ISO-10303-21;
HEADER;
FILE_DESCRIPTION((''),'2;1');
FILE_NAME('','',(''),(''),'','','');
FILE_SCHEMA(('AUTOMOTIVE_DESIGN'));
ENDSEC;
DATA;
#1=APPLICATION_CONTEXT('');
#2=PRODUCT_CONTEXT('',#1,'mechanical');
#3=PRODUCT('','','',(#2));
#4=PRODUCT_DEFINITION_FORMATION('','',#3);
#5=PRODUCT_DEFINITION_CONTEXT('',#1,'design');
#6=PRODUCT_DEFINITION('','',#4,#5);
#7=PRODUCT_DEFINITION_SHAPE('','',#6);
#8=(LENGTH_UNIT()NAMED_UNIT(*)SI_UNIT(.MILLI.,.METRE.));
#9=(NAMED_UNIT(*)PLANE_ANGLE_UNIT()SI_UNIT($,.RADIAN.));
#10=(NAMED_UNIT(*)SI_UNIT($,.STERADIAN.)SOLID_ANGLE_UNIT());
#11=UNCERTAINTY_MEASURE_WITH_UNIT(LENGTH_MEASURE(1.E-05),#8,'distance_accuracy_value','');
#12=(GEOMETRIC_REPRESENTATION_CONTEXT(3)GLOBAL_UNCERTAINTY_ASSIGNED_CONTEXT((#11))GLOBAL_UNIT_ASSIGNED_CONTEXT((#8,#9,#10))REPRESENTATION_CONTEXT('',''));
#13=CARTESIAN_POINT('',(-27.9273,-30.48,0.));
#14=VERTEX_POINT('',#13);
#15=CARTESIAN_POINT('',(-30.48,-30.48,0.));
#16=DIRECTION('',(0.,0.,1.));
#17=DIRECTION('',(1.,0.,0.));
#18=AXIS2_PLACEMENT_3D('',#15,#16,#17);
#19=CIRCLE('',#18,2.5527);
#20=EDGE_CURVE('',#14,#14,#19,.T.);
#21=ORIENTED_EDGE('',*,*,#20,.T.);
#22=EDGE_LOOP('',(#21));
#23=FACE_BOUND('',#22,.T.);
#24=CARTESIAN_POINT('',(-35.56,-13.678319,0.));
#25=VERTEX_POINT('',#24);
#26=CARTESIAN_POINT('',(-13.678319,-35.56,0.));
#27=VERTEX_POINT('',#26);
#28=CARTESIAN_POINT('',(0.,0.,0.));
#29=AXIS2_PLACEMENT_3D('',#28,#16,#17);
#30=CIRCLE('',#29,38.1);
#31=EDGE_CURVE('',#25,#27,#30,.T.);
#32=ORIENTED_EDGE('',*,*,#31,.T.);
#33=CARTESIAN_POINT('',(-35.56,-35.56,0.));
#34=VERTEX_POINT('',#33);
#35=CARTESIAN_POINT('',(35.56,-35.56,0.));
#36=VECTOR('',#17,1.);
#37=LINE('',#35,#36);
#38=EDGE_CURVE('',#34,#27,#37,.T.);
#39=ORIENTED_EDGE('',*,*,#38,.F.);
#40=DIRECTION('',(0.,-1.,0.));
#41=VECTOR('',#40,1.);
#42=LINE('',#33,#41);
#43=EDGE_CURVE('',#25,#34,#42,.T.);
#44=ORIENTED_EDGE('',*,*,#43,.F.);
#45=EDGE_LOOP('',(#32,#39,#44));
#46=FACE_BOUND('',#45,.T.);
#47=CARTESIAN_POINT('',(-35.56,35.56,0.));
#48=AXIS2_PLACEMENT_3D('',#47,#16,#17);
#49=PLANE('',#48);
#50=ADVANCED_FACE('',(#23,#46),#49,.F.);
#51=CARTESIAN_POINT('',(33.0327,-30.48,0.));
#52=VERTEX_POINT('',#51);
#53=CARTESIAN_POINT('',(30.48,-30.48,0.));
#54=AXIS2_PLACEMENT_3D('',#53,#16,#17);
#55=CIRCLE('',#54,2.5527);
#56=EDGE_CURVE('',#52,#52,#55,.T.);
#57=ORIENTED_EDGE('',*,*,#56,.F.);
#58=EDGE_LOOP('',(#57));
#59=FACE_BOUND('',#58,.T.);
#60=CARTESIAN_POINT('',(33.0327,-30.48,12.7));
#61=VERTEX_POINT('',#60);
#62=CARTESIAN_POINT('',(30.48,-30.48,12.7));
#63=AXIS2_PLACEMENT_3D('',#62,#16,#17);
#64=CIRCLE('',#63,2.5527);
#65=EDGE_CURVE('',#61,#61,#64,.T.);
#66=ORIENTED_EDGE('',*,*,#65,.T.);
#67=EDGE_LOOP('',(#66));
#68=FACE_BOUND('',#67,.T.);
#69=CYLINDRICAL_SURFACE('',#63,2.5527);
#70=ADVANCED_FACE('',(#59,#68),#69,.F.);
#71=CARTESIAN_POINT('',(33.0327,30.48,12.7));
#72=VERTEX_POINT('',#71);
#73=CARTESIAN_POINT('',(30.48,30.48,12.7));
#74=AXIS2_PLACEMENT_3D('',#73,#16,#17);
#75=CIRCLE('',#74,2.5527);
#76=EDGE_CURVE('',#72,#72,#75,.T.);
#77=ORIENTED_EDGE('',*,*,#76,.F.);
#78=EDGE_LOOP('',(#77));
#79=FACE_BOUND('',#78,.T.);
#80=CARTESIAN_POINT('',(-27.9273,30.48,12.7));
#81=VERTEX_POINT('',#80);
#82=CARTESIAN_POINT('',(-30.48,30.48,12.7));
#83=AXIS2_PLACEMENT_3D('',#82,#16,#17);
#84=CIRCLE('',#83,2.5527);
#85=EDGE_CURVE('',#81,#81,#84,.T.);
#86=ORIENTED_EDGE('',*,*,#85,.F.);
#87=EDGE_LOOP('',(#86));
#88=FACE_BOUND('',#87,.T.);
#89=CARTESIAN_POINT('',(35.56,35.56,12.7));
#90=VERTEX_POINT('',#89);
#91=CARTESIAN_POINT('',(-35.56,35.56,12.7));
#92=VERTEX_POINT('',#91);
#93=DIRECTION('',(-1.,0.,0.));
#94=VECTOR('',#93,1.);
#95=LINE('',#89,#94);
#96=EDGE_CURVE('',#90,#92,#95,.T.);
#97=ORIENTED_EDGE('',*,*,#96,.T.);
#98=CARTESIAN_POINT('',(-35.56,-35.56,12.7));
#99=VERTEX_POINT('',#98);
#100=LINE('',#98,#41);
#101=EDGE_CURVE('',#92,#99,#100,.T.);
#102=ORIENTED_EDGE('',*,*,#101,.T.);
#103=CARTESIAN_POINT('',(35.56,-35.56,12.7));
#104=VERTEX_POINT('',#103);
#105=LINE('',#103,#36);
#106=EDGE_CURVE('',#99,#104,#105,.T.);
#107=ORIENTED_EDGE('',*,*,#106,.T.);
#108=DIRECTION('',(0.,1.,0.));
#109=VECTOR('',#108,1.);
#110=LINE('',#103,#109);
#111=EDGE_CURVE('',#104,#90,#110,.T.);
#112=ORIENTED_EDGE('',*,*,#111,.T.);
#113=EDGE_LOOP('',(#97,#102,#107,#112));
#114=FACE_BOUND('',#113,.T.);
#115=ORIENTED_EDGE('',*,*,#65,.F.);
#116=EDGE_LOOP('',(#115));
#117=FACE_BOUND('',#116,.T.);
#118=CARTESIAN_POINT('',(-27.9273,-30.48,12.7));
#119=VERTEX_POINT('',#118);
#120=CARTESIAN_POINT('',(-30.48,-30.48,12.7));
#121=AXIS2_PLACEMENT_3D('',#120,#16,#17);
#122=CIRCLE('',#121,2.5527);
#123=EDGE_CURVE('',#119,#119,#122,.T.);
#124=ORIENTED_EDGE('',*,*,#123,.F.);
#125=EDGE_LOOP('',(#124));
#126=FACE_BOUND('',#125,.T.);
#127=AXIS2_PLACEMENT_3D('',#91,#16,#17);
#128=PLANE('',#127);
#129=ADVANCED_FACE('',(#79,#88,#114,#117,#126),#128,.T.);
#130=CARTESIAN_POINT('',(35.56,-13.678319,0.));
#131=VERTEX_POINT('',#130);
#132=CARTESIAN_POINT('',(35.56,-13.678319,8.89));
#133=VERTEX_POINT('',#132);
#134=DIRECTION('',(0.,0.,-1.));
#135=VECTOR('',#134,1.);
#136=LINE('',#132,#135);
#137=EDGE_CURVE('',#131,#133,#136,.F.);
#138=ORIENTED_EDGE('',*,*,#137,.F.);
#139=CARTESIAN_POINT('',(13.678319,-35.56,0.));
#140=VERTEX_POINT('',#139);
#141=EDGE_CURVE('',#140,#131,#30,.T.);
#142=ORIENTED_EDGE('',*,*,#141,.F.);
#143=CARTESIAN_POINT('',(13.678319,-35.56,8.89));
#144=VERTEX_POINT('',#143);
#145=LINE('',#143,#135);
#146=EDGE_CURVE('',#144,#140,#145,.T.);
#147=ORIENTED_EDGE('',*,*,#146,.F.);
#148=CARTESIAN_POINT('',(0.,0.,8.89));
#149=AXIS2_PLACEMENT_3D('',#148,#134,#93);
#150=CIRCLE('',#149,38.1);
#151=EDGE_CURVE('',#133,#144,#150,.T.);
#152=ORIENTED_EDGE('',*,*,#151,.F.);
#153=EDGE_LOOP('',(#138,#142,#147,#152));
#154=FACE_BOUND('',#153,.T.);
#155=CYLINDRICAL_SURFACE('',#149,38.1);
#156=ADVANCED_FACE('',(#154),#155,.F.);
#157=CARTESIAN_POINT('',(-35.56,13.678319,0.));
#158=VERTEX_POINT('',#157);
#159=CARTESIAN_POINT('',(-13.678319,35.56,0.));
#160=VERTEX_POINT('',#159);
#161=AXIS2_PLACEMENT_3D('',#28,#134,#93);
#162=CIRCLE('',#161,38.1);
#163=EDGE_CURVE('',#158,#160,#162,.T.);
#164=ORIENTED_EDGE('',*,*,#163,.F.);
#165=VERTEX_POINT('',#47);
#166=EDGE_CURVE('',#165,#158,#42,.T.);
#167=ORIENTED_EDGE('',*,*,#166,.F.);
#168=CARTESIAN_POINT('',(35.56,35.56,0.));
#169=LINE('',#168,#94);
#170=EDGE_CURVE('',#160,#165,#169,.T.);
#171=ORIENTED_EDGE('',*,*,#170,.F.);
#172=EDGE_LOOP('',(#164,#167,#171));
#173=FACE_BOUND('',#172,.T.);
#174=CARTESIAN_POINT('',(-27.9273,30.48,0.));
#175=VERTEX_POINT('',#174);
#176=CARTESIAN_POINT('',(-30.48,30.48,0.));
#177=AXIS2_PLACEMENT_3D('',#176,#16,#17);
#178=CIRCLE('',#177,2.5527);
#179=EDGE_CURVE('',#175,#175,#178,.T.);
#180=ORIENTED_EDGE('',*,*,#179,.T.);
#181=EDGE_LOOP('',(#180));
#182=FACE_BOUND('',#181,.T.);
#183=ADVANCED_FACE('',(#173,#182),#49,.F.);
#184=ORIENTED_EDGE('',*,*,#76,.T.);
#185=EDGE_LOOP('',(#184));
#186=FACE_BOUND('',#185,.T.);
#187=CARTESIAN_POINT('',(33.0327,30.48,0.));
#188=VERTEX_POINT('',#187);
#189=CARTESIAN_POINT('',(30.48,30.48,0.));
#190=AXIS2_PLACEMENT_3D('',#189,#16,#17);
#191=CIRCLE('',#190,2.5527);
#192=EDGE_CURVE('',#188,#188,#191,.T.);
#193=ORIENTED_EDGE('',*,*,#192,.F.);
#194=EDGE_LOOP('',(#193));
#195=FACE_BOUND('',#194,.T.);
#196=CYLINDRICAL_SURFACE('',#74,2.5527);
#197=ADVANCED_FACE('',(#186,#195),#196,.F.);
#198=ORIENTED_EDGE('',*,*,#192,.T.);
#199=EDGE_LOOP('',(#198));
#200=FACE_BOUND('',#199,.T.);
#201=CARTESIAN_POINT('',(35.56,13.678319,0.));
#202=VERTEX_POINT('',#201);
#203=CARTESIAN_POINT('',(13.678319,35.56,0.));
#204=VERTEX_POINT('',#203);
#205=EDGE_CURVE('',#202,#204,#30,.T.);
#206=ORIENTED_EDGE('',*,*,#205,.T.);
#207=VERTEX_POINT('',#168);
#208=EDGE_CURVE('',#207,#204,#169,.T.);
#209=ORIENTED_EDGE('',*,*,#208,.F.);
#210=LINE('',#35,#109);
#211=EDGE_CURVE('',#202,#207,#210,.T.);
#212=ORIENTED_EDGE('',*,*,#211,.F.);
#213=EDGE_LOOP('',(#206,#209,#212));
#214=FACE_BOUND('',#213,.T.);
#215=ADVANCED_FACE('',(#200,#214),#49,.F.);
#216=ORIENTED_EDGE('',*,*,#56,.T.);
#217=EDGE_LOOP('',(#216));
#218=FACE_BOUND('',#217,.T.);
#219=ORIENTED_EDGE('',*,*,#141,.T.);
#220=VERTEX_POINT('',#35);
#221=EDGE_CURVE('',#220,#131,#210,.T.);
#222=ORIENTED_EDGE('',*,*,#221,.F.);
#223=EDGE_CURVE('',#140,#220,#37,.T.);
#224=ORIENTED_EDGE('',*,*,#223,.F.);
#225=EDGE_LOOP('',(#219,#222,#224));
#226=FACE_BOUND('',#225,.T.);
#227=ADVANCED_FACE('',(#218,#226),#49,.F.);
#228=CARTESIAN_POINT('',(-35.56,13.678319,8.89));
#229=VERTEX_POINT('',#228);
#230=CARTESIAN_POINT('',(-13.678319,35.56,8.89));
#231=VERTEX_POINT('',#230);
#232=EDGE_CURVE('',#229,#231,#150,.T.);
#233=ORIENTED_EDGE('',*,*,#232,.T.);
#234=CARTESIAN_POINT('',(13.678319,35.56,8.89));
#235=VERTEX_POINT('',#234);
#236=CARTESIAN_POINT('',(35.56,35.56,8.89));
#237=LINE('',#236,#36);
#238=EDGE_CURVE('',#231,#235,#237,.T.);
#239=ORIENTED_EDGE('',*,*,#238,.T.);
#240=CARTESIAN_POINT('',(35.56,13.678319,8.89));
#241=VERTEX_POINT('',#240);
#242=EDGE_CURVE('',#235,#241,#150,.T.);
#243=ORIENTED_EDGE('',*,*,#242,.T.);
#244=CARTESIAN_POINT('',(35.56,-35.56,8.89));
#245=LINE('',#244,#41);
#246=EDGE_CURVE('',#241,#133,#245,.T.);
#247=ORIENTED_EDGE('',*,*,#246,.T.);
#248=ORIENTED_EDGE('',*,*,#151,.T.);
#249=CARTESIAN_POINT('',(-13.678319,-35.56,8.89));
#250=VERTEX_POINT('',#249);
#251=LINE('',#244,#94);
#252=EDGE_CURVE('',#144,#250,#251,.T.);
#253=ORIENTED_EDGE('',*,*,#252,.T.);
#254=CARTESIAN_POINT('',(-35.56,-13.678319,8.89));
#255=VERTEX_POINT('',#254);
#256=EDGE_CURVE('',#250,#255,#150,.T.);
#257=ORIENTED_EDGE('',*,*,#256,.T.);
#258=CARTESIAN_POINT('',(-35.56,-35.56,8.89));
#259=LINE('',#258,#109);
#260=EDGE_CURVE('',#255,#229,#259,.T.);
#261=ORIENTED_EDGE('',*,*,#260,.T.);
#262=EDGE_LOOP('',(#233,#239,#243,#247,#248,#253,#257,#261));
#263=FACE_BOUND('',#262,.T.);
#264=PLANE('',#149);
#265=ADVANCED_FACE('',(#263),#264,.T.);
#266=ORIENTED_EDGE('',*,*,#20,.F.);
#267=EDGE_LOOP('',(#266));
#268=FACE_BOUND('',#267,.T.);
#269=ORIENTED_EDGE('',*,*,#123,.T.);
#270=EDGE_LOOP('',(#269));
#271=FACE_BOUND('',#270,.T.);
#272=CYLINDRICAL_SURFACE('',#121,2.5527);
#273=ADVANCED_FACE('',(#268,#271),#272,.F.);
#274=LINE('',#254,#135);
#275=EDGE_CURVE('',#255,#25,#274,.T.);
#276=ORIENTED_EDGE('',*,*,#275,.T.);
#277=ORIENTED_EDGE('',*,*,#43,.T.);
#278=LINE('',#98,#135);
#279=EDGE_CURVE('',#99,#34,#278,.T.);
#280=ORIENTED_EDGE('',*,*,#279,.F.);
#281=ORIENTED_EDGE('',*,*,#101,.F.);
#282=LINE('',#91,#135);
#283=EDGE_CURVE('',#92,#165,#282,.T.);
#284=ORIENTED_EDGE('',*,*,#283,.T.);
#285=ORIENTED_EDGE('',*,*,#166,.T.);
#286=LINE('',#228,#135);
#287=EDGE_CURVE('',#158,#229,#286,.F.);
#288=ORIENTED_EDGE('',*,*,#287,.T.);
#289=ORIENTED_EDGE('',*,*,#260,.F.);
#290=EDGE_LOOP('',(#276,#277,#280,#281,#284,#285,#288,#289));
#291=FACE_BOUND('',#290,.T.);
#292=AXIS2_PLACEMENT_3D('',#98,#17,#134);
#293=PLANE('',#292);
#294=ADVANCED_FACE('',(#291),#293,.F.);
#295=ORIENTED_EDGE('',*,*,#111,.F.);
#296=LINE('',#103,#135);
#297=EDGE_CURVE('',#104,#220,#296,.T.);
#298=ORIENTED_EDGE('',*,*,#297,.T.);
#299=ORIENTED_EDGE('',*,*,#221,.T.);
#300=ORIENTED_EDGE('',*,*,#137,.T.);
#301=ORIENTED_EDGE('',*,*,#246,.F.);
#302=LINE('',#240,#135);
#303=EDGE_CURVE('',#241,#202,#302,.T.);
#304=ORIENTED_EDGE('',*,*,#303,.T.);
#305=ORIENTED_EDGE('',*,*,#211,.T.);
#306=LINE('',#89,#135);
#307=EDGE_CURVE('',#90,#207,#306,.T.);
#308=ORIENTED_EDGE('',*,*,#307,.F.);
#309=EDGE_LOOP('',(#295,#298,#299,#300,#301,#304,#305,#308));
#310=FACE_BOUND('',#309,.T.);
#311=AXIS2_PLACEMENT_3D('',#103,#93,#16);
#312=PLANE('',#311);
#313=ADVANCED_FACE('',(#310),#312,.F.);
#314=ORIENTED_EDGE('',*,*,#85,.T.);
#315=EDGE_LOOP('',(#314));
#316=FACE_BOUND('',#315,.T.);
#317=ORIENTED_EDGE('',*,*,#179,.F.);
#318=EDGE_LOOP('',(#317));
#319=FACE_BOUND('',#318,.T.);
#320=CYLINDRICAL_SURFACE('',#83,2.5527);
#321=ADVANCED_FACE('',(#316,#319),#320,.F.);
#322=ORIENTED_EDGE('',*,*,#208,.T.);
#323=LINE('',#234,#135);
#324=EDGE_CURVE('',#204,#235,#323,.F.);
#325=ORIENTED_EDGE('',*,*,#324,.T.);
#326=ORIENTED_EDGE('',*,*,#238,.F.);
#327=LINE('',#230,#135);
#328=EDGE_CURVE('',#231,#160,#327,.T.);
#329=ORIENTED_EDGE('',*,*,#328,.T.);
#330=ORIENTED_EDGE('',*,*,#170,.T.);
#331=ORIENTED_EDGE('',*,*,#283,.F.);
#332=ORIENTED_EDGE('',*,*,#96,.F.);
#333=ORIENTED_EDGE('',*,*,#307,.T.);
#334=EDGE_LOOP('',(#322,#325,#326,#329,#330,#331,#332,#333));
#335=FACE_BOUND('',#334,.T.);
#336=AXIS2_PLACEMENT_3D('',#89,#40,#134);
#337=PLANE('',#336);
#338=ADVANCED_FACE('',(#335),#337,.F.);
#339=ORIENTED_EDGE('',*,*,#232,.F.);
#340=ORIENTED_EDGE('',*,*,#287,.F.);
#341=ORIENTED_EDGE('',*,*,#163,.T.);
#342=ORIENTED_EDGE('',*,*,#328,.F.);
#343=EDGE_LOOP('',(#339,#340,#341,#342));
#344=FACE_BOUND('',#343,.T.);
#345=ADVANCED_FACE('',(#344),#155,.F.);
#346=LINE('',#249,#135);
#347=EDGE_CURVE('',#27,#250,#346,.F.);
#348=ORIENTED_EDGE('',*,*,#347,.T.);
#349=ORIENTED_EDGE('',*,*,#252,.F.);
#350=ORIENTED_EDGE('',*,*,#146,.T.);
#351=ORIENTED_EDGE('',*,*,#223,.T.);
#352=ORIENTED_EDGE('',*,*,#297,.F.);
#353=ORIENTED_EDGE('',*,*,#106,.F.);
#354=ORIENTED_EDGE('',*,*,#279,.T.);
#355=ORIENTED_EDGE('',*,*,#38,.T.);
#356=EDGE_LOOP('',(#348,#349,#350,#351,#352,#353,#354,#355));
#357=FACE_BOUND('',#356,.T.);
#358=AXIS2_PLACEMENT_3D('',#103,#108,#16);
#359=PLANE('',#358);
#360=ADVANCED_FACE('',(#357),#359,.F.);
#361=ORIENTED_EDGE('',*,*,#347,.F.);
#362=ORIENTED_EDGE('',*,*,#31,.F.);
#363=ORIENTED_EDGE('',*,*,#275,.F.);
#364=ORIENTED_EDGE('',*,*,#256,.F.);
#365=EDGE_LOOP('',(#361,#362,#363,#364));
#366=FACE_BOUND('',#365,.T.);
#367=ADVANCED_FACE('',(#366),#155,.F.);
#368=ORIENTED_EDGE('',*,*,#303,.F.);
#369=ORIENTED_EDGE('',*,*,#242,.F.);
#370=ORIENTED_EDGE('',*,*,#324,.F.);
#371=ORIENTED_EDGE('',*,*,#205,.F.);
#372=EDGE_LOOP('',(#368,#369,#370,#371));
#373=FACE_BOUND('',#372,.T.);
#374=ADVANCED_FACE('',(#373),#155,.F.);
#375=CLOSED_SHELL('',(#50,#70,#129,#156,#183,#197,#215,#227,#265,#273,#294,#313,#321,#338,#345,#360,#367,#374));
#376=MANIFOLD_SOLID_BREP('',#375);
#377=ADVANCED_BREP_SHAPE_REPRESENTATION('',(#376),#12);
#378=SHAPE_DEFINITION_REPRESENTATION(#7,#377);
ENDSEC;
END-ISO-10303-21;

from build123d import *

# Parameters (mm, degrees)
SKETCH1_W                      = 71.12
SKETCH1_H                      = 71.12
BOSS_EXTRUDE1_DEPTH            = 12.7
SKETCH2_R                      = 38.1
CUT_EXTRUDE1_DEPTH             = 8.89
F_7_0_201_DIAMETER_HOLE1_D     = 5.1054
F_7_0_201_DIAMETER_HOLE1_DEPTH = 31.75
F_7_0_201_DIAMETER_HOLE1_TIP   = 1.533816902


with BuildPart() as part:
    # Sketch1 → Boss-Extrude1 (new body)
    with BuildSketch(Plane.XY):
        Rectangle(SKETCH1_W, SKETCH1_H)
    extrude(amount=BOSS_EXTRUDE1_DEPTH)

    # Sketch2 → Cut-Extrude1 (cut)
    with BuildSketch(Plane(origin=(0, 0, 0), x_dir=(-1, 0, 0), z_dir=(0, 0, -1))):
        Circle(SKETCH2_R)
    extrude(amount=-CUT_EXTRUDE1_DEPTH, mode=Mode.SUBTRACT)

    # #7 (0.201) Diameter Hole1
    with Locations(Plane.XY.offset(12.7)):
        with Locations((30.48, 30.48), (-30.48, 30.48), (-30.48, -30.48), (30.48, -30.48)):
            Hole(F_7_0_201_DIAMETER_HOLE1_D / 2, depth=F_7_0_201_DIAMETER_HOLE1_DEPTH)
            with Locations((0, 0, -(F_7_0_201_DIAMETER_HOLE1_DEPTH + F_7_0_201_DIAMETER_HOLE1_TIP / 2))):  # 118° drill point
                Cone(0, F_7_0_201_DIAMETER_HOLE1_D / 2, F_7_0_201_DIAMETER_HOLE1_TIP, mode=Mode.SUBTRACT)


solid = part.part
